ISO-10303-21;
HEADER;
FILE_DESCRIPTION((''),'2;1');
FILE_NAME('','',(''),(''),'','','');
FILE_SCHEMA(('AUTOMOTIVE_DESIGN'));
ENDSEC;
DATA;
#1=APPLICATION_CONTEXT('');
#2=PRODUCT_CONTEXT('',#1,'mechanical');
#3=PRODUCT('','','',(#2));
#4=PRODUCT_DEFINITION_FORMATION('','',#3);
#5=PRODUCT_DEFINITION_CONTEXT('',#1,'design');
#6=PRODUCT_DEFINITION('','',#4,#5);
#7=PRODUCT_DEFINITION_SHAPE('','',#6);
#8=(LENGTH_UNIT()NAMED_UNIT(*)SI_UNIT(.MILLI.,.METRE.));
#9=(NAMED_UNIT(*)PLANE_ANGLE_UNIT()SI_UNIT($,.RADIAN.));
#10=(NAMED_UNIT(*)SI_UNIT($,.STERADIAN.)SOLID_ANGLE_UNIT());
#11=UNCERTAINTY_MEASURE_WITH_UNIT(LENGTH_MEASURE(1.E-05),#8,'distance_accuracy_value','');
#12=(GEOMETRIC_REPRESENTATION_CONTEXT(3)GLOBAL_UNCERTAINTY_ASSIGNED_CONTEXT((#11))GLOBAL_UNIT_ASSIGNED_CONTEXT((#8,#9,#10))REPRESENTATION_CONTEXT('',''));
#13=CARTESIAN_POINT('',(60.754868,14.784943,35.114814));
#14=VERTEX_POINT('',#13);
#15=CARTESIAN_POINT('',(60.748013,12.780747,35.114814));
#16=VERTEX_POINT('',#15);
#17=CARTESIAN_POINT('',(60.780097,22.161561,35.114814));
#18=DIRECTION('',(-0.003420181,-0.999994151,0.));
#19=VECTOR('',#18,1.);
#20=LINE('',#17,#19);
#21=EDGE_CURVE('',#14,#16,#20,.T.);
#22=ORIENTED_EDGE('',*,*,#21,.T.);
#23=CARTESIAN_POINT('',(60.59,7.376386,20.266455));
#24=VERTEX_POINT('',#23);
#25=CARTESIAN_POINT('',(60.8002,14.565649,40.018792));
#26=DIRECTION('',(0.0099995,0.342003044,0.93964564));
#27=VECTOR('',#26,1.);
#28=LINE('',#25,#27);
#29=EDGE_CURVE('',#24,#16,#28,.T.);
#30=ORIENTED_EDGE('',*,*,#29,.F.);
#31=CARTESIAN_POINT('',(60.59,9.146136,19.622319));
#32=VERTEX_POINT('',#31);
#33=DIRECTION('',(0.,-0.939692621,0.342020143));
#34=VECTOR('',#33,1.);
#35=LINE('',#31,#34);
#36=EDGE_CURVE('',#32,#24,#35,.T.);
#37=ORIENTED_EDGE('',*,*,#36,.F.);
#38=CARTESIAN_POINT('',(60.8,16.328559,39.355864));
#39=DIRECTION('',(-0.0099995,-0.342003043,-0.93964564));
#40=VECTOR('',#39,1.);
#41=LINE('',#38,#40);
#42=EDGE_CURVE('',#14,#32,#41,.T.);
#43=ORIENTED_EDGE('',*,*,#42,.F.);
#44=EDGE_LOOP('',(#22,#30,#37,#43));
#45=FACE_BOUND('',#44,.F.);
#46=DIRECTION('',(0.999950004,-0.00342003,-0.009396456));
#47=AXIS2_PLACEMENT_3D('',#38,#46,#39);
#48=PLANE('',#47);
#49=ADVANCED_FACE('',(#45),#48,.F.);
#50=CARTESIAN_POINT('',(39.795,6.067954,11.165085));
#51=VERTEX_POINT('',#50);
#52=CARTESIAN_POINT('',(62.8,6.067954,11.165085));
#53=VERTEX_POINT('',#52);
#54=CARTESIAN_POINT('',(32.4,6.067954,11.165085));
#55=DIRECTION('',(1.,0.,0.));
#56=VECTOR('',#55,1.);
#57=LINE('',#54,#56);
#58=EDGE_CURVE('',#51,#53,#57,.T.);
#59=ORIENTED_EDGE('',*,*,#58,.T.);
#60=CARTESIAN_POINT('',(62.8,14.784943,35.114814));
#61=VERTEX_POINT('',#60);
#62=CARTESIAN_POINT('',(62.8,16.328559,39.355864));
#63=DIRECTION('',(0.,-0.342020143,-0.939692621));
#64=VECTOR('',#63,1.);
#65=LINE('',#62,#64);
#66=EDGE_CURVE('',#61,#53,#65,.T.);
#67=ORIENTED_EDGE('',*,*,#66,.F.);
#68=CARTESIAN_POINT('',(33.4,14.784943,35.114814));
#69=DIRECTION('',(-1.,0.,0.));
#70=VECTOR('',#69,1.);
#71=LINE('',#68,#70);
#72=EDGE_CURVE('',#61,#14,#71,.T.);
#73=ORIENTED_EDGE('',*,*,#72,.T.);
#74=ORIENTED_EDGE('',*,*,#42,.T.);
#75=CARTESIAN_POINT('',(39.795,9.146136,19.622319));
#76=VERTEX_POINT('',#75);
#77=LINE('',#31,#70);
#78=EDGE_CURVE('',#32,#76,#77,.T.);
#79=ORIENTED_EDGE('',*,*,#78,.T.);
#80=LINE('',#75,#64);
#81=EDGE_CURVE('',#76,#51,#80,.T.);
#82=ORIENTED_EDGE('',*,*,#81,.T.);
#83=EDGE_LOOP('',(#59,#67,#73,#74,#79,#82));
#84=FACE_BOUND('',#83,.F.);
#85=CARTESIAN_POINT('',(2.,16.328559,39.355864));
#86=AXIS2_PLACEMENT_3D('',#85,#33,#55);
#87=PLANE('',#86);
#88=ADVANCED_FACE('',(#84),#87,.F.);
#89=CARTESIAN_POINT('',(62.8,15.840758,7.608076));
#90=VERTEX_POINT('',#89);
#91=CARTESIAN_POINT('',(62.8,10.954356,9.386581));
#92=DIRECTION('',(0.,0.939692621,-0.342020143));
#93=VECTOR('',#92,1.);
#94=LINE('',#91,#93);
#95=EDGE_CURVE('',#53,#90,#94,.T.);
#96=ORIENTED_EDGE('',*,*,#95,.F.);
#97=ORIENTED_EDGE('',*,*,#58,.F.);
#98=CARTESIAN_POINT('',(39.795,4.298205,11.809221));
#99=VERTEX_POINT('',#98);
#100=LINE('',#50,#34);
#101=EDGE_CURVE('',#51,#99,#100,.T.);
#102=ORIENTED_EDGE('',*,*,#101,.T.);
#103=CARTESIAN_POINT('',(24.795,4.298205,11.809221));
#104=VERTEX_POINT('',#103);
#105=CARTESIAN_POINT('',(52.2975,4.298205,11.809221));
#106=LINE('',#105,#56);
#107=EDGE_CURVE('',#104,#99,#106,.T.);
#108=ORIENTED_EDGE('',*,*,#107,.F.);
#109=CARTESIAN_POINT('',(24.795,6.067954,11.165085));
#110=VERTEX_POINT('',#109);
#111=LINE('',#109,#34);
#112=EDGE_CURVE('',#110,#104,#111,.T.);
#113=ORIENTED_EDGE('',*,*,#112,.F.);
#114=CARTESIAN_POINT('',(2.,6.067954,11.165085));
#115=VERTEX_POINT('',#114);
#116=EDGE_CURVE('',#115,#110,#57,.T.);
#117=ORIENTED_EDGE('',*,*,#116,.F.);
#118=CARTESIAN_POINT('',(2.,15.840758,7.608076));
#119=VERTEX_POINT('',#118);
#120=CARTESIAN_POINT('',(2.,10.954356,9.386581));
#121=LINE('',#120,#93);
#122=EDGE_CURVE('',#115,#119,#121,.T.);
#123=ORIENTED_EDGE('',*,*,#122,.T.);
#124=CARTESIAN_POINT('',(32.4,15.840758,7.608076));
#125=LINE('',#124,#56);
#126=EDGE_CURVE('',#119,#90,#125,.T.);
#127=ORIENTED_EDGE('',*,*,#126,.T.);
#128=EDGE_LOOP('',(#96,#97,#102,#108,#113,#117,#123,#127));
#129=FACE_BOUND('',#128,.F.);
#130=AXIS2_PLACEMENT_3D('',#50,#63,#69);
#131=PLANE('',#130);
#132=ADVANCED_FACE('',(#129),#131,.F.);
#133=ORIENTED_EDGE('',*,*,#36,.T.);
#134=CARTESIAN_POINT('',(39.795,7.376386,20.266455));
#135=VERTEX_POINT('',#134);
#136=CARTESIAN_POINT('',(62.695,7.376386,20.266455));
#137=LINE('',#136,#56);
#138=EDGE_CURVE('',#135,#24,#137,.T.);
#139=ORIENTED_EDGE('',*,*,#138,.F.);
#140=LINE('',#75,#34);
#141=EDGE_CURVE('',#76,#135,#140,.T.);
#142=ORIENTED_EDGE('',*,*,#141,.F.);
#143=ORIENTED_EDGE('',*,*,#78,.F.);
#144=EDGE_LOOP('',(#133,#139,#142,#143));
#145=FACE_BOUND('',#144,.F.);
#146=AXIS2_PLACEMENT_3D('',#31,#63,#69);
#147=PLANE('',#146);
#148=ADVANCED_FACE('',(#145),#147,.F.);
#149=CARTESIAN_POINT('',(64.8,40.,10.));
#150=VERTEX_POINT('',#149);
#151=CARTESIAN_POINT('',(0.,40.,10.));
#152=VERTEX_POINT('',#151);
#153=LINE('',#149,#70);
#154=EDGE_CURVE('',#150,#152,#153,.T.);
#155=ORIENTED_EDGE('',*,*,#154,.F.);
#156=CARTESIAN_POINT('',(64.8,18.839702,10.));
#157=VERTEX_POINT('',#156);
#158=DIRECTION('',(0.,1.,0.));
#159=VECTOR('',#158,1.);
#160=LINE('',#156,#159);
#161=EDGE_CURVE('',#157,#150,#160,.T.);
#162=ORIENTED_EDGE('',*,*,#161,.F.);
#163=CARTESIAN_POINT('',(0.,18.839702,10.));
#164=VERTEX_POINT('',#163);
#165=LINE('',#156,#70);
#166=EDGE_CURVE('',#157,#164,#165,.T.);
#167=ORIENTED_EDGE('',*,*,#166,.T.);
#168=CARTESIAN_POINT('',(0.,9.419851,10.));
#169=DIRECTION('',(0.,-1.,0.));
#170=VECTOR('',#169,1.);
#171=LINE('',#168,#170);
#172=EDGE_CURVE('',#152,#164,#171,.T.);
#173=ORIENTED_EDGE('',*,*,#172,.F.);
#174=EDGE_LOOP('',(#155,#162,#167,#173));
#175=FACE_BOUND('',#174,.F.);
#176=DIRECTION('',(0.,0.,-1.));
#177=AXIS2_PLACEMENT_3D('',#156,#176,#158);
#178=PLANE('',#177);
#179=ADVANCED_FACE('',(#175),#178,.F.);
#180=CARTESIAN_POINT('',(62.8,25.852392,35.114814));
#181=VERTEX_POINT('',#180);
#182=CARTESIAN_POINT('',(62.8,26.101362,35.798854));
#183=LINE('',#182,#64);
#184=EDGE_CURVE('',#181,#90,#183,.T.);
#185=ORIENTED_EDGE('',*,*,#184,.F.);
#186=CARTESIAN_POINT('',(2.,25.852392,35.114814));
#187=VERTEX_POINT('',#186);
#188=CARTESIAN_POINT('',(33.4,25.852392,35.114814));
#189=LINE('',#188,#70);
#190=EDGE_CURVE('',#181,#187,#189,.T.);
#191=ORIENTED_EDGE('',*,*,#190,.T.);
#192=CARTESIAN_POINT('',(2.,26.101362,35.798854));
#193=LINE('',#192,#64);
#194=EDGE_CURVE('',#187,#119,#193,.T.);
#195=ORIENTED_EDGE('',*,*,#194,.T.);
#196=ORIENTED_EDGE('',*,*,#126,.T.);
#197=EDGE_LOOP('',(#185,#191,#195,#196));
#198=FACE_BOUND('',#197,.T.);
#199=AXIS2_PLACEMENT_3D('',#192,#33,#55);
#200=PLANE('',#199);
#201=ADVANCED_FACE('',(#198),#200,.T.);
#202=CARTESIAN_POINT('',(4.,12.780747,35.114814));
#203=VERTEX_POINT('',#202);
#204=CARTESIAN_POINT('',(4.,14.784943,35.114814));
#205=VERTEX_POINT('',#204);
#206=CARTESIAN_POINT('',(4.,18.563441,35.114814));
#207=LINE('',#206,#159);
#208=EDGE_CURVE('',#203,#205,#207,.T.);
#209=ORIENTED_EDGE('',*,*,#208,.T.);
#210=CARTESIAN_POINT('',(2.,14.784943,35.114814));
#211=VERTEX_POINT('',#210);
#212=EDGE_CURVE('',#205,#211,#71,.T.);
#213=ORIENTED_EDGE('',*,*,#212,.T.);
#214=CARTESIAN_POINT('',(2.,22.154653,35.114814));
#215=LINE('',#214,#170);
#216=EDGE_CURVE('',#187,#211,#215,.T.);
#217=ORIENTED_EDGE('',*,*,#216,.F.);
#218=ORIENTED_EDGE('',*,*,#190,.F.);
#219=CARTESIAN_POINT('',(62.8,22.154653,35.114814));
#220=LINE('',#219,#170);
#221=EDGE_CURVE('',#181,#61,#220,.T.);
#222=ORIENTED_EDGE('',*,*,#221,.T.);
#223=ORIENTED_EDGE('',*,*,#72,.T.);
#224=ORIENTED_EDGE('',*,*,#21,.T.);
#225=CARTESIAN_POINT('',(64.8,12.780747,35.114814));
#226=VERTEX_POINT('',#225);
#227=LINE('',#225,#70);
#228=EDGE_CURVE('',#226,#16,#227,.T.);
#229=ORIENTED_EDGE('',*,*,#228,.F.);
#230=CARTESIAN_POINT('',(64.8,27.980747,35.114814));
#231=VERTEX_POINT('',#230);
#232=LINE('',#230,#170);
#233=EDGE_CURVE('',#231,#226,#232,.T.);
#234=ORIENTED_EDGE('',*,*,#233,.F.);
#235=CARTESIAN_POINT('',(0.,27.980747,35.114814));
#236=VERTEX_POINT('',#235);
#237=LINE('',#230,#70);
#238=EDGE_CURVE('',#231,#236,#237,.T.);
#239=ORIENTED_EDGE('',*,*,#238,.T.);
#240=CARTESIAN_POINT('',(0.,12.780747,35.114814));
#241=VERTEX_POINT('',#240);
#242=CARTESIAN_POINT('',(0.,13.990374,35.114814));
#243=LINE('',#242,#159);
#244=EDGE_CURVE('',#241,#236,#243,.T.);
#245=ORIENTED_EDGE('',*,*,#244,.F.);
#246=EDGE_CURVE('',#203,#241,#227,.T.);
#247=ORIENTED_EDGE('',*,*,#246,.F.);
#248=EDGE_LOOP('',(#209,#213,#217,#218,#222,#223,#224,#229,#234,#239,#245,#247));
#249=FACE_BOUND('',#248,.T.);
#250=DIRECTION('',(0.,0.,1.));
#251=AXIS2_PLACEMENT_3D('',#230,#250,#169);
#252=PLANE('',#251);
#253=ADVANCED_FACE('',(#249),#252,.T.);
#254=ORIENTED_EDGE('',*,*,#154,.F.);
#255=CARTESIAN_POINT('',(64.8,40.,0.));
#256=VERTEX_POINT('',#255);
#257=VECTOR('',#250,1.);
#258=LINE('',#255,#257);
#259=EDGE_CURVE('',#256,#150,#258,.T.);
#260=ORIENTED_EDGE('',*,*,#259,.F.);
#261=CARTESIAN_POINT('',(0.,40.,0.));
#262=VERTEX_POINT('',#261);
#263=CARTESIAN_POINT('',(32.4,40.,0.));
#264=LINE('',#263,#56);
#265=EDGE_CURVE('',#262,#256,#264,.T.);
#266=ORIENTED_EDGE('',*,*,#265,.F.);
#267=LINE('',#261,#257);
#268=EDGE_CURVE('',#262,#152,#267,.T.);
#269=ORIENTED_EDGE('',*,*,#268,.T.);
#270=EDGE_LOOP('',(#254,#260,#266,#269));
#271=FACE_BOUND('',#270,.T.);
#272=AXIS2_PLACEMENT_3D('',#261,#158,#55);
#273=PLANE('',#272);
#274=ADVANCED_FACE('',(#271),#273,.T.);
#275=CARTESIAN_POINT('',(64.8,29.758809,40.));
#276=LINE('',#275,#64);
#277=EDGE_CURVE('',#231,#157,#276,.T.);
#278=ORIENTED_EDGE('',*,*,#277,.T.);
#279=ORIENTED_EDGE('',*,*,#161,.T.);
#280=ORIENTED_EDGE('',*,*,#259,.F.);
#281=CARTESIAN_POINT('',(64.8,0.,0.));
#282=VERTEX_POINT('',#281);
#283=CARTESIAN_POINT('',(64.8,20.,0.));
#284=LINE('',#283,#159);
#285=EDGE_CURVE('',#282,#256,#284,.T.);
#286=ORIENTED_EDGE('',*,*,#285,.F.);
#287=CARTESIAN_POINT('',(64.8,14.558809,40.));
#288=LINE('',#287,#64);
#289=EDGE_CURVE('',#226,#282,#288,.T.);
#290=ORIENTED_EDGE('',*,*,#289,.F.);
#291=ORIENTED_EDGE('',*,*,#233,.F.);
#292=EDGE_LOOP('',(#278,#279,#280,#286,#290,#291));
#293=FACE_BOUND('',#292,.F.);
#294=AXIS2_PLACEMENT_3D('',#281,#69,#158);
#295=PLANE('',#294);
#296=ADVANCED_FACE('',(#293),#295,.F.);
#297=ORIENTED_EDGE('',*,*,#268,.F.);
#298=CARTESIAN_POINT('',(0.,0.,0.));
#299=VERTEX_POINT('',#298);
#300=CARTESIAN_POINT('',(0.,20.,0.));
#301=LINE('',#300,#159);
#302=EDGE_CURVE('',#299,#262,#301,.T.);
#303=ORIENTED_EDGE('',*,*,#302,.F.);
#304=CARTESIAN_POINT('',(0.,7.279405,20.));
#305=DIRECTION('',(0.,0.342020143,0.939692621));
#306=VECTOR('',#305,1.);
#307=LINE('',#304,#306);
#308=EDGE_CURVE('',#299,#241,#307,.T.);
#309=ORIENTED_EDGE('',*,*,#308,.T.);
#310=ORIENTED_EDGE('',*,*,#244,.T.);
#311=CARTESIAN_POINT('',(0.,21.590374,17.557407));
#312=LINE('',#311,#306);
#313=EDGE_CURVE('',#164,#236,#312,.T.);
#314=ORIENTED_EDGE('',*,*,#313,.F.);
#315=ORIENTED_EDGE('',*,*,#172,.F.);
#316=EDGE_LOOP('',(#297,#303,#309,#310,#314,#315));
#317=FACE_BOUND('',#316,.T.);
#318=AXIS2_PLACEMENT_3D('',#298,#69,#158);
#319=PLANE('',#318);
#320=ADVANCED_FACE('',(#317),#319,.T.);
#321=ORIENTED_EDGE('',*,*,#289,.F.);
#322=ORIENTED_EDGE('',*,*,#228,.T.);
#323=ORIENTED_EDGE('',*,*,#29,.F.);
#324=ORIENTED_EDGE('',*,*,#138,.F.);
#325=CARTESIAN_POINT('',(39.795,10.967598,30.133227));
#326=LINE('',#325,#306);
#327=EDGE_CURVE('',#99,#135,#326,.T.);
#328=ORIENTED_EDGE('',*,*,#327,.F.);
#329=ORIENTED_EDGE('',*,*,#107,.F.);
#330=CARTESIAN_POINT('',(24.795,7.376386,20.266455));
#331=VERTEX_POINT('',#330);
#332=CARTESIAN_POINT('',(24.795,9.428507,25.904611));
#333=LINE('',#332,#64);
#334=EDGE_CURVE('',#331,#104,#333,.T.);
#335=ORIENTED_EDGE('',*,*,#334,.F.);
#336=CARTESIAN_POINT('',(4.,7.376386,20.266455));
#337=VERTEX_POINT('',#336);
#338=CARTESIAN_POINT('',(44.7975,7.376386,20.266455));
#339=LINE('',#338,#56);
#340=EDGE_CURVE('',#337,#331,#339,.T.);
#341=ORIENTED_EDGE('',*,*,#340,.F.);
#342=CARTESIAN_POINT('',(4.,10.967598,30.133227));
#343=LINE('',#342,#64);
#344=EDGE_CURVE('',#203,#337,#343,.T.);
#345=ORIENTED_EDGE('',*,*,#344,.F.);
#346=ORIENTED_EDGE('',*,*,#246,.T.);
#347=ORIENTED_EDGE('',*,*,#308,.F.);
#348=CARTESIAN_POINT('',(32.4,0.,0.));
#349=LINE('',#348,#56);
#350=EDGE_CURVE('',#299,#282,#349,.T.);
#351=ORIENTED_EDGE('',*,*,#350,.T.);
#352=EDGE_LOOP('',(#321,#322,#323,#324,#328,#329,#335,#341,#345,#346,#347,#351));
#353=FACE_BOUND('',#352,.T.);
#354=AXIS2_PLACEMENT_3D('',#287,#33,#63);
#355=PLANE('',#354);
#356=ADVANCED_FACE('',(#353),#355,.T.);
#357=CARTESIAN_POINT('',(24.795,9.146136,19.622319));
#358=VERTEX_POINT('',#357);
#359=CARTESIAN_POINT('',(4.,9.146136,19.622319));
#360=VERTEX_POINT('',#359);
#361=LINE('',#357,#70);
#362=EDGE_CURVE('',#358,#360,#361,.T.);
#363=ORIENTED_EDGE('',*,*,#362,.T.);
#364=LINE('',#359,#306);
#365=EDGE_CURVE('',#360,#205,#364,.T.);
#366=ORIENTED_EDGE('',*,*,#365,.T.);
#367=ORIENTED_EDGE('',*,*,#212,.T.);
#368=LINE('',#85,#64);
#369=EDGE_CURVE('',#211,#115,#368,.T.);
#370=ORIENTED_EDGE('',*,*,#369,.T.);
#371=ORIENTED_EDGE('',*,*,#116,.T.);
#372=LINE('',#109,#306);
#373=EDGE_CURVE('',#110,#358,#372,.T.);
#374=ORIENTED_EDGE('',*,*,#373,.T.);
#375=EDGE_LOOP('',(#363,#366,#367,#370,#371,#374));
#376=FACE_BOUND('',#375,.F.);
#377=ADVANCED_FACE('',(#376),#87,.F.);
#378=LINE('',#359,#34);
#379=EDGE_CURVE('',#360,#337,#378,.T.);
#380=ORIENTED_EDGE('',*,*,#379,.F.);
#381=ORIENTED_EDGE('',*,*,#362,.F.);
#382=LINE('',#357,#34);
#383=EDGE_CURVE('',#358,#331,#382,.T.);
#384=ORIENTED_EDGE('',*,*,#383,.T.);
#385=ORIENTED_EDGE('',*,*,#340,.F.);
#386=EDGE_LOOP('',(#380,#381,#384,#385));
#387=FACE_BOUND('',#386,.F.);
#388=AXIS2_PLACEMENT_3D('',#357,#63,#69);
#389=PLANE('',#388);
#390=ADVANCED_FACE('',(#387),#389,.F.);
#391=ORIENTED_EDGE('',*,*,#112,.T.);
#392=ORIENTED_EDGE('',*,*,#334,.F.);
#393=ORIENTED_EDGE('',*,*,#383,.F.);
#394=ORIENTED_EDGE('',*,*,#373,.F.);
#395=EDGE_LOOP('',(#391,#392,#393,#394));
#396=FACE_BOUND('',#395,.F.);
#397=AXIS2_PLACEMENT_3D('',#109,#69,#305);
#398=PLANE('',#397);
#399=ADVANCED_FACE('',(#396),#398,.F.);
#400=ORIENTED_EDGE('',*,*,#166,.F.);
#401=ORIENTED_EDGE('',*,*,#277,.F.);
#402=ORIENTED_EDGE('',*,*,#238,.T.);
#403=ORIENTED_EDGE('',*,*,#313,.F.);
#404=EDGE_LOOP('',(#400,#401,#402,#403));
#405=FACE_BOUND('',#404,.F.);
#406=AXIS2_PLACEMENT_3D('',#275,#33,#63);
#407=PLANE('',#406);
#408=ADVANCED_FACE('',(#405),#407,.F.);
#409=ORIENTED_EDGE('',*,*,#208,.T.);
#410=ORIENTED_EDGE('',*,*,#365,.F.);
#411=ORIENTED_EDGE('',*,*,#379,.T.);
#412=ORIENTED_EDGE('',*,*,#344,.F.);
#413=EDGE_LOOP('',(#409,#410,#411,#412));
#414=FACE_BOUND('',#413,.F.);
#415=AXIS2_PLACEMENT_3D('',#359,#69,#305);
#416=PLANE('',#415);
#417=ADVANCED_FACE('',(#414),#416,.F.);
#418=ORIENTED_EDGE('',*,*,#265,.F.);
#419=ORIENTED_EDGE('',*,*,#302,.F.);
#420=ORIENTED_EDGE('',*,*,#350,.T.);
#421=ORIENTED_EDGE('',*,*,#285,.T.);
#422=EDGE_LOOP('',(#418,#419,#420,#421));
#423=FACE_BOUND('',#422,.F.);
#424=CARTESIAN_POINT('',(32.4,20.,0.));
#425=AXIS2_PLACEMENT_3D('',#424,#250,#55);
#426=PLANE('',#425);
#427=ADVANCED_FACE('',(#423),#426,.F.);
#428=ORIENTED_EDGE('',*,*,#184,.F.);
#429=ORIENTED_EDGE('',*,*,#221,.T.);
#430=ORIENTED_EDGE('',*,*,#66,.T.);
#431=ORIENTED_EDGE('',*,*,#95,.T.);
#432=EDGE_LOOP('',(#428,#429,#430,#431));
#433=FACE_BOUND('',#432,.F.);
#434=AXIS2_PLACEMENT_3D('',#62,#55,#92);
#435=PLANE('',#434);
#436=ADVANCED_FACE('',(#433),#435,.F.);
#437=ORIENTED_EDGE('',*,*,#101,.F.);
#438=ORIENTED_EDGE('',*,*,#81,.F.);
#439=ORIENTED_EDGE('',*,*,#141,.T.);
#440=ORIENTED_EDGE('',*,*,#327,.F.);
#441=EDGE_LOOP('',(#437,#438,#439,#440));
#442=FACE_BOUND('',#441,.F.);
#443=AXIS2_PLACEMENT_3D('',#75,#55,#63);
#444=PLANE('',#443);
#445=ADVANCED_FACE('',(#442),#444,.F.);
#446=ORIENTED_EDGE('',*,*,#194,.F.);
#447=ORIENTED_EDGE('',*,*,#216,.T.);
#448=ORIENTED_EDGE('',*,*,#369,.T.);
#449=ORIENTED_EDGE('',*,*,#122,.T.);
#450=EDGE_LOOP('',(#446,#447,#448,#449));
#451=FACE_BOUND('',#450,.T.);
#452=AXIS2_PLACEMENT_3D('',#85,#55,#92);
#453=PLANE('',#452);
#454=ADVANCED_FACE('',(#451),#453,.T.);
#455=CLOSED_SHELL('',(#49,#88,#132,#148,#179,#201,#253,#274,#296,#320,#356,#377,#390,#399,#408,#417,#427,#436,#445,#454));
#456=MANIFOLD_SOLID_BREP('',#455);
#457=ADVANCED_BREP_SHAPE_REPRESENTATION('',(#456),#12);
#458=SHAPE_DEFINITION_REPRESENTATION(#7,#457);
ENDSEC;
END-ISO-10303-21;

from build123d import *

# Parameters (mm, degrees)
SKETCH_W        = 64.8
SKETCH_H        = 40
PAD_DEPTH       = 40
POCKET_DEPTH    = 64.801
POCKET001_DEPTH = 64.801
POCKET002_DEPTH = 64.801
SKETCH004_W     = 60.8
SKETCH004_H     = 10.4
POCKET003_DEPTH = 30
POCKET004_DEPTH = 15.5651335663
POCKET005_DEPTH = 64.801


with BuildPart() as part:
    # Sketch → Pad (new body)
    with BuildSketch(Plane.XY):
        with Locations((32.4, 20)):
            Rectangle(SKETCH_W, SKETCH_H)
    extrude(amount=PAD_DEPTH)

    # Sketch001 → Pocket (cut, through all)
    with BuildSketch(Plane.YZ.offset(64.8)):
        Polygon((0, 0), (0, 40), (14.5588093668, 40), align=None)
    extrude(amount=-POCKET_DEPTH, mode=Mode.SUBTRACT)

    # Sketch002 → Pocket001 (cut, through all)
    with BuildSketch(Plane.YZ.offset(64.8)):
        Polygon((29.7588093668, 40), (18.8397023417, 10), (40, 10), (40, 40), align=None)
    extrude(amount=-POCKET001_DEPTH, mode=Mode.SUBTRACT)

    # Sketch003 → Pocket002 (cut, through all)
    with BuildSketch(Plane.YZ.offset(64.8)):
        Polygon((14.5588093668, 40), (27.9807471354, 35.1148141674), (29.7588093668, 40), align=None)
    extrude(amount=-POCKET002_DEPTH, mode=Mode.SUBTRACT)

    # Sketch004 → Pocket003 (cut)
    with BuildSketch(Plane(origin=(0, 14.5588093668, 40), x_dir=(1, 0, 0), z_dir=(0, 0.3420201432, 0.9396926208))):
        with Locations((32.4, 7.0833278364)):
            Rectangle(SKETCH004_W, SKETCH004_H)
    extrude(amount=-POCKET003_DEPTH, mode=Mode.SUBTRACT)

    # Sketch005 → Pocket004 (cut, through all)
    with BuildSketch(Plane(origin=(0, 1.7697492704, -0.6441360564), x_dir=(-1, 0, 0), z_dir=(0, 0.9396926208, -0.3420201432))):
        Polygon((-39.795, 21.5671108977), (-39.795, 12.5671108977), (-24.795, 12.5671108977), (-24.795, 21.5671108977), (-4, 21.5671108977), (-4, 42.5671108977), (-60.8, 42.5671108977), (-60.59, 21.5671108977), align=None)
    extrude(amount=-POCKET004_DEPTH, mode=Mode.SUBTRACT)

    # Sketch006 → Pocket005 (cut, through all)
    with BuildSketch(Plane.YZ.offset(64.8)):
        Polygon((27.9807471354, 35.1148141674), (12.7807471354, 35.1148141674), (14.5588093668, 40), align=None)
    extrude(amount=-POCKET005_DEPTH, mode=Mode.SUBTRACT)


solid = part.part
